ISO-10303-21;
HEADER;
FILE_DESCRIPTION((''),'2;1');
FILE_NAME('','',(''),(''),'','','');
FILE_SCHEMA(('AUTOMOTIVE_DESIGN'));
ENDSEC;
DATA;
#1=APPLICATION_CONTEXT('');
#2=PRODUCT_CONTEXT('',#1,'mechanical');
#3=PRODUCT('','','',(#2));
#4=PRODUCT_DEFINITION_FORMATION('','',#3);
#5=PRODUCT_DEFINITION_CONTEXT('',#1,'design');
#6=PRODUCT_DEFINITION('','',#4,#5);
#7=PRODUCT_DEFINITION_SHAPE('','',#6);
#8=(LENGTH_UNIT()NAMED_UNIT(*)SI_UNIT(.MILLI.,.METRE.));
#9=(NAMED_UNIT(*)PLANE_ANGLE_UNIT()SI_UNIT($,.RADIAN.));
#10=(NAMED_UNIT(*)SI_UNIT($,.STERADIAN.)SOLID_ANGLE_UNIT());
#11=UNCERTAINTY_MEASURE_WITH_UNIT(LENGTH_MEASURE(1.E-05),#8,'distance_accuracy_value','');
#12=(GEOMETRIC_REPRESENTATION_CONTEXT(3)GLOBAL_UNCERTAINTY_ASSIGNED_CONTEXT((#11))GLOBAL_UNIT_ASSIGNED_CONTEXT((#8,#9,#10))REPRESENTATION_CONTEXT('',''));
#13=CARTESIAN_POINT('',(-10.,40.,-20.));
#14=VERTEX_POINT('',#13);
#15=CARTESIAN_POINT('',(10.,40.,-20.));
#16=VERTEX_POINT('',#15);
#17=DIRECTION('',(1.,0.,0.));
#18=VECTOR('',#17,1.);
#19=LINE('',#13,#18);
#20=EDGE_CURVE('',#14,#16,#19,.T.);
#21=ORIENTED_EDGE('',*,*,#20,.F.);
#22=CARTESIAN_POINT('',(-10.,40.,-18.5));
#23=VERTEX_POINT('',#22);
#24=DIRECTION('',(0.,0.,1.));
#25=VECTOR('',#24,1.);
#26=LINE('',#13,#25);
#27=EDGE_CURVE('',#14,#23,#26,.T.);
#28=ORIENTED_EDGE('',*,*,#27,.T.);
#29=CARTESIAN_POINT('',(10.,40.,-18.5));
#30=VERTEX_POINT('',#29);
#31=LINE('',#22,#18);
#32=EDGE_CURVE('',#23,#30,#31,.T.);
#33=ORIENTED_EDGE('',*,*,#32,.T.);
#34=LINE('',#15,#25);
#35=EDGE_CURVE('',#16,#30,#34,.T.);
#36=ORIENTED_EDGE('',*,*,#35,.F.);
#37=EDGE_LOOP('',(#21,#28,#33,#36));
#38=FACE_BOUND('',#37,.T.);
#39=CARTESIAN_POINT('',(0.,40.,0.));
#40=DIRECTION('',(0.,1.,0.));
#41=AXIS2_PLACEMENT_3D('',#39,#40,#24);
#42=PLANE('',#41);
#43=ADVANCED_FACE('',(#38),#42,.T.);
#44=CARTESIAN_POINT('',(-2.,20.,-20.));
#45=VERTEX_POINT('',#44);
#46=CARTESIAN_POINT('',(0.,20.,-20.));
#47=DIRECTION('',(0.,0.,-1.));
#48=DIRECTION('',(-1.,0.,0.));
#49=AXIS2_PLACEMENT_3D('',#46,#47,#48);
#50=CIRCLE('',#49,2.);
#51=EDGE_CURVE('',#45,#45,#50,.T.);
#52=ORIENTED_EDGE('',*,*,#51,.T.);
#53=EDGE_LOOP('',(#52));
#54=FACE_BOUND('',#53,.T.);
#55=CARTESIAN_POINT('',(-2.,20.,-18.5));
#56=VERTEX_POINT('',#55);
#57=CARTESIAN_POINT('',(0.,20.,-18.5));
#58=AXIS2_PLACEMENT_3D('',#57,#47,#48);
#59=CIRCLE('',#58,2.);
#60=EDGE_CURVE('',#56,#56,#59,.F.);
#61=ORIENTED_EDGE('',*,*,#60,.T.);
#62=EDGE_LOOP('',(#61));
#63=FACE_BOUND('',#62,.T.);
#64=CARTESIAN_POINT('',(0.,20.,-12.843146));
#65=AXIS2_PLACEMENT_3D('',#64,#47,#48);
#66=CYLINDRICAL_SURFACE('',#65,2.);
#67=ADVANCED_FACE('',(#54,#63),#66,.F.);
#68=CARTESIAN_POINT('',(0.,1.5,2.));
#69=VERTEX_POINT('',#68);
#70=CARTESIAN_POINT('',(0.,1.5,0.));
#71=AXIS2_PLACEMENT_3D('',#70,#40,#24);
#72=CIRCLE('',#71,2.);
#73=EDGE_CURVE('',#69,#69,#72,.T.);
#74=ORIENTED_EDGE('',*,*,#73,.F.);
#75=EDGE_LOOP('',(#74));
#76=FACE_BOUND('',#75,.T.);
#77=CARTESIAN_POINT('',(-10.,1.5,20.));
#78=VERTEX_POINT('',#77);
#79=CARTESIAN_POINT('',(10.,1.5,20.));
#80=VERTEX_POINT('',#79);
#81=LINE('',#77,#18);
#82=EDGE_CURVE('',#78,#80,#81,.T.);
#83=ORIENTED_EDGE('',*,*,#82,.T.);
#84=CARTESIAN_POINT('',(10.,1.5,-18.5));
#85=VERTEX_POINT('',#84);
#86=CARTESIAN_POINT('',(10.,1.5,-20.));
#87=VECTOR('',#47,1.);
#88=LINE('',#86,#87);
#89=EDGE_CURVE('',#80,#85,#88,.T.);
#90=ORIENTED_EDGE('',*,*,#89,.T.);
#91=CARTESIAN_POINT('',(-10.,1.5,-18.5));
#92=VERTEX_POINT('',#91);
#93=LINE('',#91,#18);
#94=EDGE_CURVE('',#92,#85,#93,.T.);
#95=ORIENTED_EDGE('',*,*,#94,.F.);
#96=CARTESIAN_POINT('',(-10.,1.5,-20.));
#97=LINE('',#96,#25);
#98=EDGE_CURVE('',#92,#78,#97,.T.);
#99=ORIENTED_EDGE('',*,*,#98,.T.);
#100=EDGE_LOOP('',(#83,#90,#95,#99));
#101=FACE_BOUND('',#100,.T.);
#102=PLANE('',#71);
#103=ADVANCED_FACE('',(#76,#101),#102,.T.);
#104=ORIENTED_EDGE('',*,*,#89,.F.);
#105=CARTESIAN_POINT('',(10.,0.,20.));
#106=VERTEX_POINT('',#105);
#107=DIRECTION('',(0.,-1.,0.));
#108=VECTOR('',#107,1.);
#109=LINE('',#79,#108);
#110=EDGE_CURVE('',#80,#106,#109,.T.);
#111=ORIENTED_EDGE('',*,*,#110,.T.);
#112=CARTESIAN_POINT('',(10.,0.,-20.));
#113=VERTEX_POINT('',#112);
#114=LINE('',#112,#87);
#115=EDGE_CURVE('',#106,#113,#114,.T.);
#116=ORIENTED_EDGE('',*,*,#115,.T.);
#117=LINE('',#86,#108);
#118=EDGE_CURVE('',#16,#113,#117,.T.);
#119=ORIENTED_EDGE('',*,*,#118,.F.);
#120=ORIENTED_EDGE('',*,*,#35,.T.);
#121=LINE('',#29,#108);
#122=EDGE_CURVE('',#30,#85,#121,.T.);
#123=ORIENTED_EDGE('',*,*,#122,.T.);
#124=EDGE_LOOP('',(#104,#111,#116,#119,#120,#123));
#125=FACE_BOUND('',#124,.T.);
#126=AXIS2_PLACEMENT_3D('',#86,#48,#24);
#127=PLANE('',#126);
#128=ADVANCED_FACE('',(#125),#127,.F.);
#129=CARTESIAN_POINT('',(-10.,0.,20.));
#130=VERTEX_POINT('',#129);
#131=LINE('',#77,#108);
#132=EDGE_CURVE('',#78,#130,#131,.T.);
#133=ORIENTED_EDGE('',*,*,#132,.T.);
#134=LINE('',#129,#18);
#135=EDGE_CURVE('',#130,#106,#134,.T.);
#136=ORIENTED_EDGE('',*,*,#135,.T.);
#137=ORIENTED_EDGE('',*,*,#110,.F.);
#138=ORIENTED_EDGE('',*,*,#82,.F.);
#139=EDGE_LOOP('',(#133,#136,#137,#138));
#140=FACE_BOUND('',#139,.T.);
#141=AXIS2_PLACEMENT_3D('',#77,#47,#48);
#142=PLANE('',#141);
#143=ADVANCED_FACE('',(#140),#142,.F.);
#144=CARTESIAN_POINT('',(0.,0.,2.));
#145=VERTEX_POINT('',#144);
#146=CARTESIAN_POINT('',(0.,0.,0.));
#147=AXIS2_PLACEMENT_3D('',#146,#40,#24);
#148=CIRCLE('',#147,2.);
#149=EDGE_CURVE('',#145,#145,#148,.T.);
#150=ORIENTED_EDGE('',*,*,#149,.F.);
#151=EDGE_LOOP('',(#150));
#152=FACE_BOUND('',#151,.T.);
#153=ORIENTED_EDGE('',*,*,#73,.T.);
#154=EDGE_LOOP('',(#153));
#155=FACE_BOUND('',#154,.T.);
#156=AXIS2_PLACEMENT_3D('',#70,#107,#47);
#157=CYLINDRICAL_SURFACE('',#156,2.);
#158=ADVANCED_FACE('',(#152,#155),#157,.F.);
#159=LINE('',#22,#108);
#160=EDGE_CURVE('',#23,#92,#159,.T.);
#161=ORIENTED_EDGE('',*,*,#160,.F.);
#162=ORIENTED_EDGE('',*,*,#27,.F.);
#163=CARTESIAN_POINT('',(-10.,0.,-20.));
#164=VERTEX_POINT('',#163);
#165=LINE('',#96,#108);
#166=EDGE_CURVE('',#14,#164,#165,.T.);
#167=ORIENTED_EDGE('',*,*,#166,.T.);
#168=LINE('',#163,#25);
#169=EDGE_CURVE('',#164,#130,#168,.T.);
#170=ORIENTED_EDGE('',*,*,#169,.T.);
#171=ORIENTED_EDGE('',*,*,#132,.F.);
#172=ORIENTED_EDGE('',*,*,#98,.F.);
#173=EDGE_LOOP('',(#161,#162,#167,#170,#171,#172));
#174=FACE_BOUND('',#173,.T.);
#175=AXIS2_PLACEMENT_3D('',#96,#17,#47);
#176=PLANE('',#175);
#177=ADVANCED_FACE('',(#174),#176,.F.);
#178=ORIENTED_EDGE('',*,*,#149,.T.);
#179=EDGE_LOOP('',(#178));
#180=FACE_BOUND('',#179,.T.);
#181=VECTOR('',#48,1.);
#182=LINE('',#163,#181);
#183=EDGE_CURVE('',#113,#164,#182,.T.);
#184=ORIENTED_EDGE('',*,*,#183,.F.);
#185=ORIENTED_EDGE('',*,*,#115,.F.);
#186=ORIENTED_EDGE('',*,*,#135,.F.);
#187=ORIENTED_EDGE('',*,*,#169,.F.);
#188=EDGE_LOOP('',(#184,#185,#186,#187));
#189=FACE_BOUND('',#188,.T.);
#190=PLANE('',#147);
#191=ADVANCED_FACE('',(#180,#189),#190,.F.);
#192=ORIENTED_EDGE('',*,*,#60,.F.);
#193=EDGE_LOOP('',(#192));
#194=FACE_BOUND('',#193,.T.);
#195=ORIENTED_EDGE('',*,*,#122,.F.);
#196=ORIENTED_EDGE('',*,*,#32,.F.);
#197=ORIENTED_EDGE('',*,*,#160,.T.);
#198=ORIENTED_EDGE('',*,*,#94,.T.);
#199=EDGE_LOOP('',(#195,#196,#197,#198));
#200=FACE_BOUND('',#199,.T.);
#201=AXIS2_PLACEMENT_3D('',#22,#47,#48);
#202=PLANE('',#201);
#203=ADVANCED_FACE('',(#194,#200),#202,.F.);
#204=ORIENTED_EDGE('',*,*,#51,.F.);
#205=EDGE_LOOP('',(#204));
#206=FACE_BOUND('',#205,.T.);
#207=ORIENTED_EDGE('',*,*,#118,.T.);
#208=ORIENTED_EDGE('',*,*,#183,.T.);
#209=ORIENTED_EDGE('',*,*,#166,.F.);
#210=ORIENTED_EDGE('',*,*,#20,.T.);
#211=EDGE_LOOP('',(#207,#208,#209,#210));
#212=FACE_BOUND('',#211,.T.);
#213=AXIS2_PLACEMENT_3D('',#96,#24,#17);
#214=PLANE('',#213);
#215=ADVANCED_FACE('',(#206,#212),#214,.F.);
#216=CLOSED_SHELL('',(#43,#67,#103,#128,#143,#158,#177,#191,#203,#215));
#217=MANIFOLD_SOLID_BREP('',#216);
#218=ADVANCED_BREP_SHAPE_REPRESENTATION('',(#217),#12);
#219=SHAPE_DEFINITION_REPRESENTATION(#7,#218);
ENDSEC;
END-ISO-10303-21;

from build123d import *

# Parameters (mm, degrees)
SKETCH1_W           = 20
SKETCH1_H           = 40
SKETCH1_R           = 2
BOSS_EXTRUDE1_DEPTH = 1.5
SKETCH2_W           = 20
SKETCH2_H           = 1.5
BOSS_EXTRUDE2_DEPTH = 38.5
SKETCH3_R           = 2
CUT_EXTRUDE1_DEPTH  = 1.5


with BuildPart() as part:
    # Sketch1 → Boss-Extrude1 (new body)
    with BuildSketch(Plane(origin=(0, 0, 0), x_dir=(1, 0, 0), z_dir=(0, 1, 0))):
        Rectangle(SKETCH1_W, SKETCH1_H)
        Circle(SKETCH1_R, mode=Mode.SUBTRACT)
    extrude(amount=BOSS_EXTRUDE1_DEPTH)

    # Sketch2 → Boss-Extrude2 (add)
    with BuildSketch(Plane(origin=(0, 1.5, 0), x_dir=(1, 0, 0), z_dir=(0, 1, 0))):
        with Locations((0, 19.25)):
            Rectangle(SKETCH2_W, SKETCH2_H)
    extrude(amount=BOSS_EXTRUDE2_DEPTH)

    # Sketch3 → Cut-Extrude1 (cut)
    with BuildSketch(Plane(origin=(0, 0, -20), x_dir=(-1, 0, 0), z_dir=(0, 0, -1))):
        with Locations((0, 20)):
            Circle(SKETCH3_R)
    extrude(amount=-CUT_EXTRUDE1_DEPTH, mode=Mode.SUBTRACT)


solid = part.part
